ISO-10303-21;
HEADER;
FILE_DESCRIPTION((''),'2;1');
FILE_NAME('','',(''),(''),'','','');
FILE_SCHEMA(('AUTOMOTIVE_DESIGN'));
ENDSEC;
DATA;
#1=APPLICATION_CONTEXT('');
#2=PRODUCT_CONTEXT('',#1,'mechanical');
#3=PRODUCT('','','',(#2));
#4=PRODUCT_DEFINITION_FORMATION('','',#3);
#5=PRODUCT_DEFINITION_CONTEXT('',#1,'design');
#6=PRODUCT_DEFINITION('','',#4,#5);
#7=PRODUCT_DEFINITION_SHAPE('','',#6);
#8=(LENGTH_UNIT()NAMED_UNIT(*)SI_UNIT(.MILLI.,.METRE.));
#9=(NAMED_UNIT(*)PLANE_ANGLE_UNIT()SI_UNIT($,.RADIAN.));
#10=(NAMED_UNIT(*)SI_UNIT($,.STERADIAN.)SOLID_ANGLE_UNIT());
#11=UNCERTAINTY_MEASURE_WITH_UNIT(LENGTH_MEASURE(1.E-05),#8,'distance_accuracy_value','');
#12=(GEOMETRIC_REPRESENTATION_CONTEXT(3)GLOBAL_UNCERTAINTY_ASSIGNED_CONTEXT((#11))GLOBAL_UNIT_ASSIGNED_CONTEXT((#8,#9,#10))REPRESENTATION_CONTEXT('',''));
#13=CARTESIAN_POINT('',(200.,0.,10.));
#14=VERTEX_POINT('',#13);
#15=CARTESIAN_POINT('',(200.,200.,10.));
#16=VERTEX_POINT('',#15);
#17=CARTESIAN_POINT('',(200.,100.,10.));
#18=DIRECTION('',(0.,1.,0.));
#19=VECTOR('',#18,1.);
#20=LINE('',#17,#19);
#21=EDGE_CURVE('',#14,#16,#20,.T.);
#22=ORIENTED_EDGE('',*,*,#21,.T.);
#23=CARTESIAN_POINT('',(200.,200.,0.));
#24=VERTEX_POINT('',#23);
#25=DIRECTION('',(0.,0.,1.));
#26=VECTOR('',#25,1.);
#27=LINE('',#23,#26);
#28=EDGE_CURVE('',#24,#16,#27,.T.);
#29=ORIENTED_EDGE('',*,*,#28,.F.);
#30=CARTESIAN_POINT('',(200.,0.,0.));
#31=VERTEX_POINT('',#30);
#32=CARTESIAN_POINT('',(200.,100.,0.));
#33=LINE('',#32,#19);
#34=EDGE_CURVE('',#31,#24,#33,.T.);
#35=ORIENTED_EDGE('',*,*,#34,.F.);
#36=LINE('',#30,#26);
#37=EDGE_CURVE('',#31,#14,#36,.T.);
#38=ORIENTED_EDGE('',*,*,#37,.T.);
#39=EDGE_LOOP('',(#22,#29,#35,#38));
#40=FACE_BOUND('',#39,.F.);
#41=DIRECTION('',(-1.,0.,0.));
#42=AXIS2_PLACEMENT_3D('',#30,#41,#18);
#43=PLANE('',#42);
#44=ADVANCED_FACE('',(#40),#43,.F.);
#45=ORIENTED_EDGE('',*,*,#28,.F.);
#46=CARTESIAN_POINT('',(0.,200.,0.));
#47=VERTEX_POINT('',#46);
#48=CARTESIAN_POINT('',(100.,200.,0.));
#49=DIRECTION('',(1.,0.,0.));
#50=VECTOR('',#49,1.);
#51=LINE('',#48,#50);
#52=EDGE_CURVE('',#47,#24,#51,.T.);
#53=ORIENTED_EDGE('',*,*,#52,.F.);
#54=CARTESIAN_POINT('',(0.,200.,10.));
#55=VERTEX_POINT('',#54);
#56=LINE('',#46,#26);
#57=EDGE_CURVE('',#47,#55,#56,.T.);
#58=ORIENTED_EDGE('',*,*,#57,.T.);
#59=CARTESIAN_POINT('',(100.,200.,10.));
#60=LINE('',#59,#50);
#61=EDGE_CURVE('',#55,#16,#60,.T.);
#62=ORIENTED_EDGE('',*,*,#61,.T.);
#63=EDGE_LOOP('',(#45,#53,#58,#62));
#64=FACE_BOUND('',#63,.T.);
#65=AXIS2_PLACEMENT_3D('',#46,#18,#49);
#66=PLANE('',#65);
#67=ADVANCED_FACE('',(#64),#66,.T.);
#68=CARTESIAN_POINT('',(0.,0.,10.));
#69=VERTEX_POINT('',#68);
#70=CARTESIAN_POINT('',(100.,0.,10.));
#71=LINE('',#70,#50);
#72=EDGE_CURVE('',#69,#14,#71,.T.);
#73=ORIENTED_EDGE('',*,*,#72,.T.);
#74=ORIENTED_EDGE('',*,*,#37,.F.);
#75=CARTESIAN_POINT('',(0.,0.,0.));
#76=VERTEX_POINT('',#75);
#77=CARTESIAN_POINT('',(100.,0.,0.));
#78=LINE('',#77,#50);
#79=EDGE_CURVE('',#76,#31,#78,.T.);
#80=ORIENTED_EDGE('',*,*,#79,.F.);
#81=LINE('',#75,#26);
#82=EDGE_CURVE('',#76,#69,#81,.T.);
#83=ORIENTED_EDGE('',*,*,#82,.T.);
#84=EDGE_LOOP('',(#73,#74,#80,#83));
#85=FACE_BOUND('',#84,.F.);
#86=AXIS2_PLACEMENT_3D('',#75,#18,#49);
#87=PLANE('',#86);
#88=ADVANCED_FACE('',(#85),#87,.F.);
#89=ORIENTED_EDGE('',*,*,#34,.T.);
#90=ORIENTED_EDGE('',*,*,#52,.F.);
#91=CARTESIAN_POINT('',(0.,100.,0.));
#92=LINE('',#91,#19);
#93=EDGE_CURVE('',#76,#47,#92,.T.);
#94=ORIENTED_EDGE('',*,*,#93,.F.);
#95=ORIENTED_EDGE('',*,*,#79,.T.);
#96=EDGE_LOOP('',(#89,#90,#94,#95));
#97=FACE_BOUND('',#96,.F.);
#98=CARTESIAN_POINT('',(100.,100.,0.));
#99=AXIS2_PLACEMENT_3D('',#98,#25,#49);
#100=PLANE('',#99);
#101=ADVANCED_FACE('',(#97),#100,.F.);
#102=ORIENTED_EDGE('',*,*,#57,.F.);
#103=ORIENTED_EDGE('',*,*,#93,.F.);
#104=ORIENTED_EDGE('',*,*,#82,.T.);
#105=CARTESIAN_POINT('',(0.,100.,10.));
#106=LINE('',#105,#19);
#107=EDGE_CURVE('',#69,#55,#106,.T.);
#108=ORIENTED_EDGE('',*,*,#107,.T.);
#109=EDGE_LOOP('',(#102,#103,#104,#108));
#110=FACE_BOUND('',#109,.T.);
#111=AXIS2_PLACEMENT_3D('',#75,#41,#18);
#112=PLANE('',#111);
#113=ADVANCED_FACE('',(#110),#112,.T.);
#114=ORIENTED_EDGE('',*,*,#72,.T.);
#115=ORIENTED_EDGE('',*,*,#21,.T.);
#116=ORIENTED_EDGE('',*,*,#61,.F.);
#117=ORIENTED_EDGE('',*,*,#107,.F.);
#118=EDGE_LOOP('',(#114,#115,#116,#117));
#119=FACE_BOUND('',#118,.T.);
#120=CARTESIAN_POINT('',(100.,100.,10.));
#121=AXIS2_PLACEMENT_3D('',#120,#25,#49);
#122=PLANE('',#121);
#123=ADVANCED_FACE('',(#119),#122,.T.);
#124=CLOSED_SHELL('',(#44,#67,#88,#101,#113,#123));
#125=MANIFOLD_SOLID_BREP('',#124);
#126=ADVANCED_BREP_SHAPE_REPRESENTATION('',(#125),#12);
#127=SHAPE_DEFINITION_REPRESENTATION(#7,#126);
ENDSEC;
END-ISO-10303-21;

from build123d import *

# Parameters (mm, degrees)
SKETCH_W  = 200
SKETCH_H  = 200
PAD_DEPTH = 10


with BuildPart() as part:
    # Sketch → Pad (new body)
    with BuildSketch(Plane.XY):
        with Locations((100, 100)):
            Rectangle(SKETCH_W, SKETCH_H)
    extrude(amount=PAD_DEPTH)


solid = part.part
